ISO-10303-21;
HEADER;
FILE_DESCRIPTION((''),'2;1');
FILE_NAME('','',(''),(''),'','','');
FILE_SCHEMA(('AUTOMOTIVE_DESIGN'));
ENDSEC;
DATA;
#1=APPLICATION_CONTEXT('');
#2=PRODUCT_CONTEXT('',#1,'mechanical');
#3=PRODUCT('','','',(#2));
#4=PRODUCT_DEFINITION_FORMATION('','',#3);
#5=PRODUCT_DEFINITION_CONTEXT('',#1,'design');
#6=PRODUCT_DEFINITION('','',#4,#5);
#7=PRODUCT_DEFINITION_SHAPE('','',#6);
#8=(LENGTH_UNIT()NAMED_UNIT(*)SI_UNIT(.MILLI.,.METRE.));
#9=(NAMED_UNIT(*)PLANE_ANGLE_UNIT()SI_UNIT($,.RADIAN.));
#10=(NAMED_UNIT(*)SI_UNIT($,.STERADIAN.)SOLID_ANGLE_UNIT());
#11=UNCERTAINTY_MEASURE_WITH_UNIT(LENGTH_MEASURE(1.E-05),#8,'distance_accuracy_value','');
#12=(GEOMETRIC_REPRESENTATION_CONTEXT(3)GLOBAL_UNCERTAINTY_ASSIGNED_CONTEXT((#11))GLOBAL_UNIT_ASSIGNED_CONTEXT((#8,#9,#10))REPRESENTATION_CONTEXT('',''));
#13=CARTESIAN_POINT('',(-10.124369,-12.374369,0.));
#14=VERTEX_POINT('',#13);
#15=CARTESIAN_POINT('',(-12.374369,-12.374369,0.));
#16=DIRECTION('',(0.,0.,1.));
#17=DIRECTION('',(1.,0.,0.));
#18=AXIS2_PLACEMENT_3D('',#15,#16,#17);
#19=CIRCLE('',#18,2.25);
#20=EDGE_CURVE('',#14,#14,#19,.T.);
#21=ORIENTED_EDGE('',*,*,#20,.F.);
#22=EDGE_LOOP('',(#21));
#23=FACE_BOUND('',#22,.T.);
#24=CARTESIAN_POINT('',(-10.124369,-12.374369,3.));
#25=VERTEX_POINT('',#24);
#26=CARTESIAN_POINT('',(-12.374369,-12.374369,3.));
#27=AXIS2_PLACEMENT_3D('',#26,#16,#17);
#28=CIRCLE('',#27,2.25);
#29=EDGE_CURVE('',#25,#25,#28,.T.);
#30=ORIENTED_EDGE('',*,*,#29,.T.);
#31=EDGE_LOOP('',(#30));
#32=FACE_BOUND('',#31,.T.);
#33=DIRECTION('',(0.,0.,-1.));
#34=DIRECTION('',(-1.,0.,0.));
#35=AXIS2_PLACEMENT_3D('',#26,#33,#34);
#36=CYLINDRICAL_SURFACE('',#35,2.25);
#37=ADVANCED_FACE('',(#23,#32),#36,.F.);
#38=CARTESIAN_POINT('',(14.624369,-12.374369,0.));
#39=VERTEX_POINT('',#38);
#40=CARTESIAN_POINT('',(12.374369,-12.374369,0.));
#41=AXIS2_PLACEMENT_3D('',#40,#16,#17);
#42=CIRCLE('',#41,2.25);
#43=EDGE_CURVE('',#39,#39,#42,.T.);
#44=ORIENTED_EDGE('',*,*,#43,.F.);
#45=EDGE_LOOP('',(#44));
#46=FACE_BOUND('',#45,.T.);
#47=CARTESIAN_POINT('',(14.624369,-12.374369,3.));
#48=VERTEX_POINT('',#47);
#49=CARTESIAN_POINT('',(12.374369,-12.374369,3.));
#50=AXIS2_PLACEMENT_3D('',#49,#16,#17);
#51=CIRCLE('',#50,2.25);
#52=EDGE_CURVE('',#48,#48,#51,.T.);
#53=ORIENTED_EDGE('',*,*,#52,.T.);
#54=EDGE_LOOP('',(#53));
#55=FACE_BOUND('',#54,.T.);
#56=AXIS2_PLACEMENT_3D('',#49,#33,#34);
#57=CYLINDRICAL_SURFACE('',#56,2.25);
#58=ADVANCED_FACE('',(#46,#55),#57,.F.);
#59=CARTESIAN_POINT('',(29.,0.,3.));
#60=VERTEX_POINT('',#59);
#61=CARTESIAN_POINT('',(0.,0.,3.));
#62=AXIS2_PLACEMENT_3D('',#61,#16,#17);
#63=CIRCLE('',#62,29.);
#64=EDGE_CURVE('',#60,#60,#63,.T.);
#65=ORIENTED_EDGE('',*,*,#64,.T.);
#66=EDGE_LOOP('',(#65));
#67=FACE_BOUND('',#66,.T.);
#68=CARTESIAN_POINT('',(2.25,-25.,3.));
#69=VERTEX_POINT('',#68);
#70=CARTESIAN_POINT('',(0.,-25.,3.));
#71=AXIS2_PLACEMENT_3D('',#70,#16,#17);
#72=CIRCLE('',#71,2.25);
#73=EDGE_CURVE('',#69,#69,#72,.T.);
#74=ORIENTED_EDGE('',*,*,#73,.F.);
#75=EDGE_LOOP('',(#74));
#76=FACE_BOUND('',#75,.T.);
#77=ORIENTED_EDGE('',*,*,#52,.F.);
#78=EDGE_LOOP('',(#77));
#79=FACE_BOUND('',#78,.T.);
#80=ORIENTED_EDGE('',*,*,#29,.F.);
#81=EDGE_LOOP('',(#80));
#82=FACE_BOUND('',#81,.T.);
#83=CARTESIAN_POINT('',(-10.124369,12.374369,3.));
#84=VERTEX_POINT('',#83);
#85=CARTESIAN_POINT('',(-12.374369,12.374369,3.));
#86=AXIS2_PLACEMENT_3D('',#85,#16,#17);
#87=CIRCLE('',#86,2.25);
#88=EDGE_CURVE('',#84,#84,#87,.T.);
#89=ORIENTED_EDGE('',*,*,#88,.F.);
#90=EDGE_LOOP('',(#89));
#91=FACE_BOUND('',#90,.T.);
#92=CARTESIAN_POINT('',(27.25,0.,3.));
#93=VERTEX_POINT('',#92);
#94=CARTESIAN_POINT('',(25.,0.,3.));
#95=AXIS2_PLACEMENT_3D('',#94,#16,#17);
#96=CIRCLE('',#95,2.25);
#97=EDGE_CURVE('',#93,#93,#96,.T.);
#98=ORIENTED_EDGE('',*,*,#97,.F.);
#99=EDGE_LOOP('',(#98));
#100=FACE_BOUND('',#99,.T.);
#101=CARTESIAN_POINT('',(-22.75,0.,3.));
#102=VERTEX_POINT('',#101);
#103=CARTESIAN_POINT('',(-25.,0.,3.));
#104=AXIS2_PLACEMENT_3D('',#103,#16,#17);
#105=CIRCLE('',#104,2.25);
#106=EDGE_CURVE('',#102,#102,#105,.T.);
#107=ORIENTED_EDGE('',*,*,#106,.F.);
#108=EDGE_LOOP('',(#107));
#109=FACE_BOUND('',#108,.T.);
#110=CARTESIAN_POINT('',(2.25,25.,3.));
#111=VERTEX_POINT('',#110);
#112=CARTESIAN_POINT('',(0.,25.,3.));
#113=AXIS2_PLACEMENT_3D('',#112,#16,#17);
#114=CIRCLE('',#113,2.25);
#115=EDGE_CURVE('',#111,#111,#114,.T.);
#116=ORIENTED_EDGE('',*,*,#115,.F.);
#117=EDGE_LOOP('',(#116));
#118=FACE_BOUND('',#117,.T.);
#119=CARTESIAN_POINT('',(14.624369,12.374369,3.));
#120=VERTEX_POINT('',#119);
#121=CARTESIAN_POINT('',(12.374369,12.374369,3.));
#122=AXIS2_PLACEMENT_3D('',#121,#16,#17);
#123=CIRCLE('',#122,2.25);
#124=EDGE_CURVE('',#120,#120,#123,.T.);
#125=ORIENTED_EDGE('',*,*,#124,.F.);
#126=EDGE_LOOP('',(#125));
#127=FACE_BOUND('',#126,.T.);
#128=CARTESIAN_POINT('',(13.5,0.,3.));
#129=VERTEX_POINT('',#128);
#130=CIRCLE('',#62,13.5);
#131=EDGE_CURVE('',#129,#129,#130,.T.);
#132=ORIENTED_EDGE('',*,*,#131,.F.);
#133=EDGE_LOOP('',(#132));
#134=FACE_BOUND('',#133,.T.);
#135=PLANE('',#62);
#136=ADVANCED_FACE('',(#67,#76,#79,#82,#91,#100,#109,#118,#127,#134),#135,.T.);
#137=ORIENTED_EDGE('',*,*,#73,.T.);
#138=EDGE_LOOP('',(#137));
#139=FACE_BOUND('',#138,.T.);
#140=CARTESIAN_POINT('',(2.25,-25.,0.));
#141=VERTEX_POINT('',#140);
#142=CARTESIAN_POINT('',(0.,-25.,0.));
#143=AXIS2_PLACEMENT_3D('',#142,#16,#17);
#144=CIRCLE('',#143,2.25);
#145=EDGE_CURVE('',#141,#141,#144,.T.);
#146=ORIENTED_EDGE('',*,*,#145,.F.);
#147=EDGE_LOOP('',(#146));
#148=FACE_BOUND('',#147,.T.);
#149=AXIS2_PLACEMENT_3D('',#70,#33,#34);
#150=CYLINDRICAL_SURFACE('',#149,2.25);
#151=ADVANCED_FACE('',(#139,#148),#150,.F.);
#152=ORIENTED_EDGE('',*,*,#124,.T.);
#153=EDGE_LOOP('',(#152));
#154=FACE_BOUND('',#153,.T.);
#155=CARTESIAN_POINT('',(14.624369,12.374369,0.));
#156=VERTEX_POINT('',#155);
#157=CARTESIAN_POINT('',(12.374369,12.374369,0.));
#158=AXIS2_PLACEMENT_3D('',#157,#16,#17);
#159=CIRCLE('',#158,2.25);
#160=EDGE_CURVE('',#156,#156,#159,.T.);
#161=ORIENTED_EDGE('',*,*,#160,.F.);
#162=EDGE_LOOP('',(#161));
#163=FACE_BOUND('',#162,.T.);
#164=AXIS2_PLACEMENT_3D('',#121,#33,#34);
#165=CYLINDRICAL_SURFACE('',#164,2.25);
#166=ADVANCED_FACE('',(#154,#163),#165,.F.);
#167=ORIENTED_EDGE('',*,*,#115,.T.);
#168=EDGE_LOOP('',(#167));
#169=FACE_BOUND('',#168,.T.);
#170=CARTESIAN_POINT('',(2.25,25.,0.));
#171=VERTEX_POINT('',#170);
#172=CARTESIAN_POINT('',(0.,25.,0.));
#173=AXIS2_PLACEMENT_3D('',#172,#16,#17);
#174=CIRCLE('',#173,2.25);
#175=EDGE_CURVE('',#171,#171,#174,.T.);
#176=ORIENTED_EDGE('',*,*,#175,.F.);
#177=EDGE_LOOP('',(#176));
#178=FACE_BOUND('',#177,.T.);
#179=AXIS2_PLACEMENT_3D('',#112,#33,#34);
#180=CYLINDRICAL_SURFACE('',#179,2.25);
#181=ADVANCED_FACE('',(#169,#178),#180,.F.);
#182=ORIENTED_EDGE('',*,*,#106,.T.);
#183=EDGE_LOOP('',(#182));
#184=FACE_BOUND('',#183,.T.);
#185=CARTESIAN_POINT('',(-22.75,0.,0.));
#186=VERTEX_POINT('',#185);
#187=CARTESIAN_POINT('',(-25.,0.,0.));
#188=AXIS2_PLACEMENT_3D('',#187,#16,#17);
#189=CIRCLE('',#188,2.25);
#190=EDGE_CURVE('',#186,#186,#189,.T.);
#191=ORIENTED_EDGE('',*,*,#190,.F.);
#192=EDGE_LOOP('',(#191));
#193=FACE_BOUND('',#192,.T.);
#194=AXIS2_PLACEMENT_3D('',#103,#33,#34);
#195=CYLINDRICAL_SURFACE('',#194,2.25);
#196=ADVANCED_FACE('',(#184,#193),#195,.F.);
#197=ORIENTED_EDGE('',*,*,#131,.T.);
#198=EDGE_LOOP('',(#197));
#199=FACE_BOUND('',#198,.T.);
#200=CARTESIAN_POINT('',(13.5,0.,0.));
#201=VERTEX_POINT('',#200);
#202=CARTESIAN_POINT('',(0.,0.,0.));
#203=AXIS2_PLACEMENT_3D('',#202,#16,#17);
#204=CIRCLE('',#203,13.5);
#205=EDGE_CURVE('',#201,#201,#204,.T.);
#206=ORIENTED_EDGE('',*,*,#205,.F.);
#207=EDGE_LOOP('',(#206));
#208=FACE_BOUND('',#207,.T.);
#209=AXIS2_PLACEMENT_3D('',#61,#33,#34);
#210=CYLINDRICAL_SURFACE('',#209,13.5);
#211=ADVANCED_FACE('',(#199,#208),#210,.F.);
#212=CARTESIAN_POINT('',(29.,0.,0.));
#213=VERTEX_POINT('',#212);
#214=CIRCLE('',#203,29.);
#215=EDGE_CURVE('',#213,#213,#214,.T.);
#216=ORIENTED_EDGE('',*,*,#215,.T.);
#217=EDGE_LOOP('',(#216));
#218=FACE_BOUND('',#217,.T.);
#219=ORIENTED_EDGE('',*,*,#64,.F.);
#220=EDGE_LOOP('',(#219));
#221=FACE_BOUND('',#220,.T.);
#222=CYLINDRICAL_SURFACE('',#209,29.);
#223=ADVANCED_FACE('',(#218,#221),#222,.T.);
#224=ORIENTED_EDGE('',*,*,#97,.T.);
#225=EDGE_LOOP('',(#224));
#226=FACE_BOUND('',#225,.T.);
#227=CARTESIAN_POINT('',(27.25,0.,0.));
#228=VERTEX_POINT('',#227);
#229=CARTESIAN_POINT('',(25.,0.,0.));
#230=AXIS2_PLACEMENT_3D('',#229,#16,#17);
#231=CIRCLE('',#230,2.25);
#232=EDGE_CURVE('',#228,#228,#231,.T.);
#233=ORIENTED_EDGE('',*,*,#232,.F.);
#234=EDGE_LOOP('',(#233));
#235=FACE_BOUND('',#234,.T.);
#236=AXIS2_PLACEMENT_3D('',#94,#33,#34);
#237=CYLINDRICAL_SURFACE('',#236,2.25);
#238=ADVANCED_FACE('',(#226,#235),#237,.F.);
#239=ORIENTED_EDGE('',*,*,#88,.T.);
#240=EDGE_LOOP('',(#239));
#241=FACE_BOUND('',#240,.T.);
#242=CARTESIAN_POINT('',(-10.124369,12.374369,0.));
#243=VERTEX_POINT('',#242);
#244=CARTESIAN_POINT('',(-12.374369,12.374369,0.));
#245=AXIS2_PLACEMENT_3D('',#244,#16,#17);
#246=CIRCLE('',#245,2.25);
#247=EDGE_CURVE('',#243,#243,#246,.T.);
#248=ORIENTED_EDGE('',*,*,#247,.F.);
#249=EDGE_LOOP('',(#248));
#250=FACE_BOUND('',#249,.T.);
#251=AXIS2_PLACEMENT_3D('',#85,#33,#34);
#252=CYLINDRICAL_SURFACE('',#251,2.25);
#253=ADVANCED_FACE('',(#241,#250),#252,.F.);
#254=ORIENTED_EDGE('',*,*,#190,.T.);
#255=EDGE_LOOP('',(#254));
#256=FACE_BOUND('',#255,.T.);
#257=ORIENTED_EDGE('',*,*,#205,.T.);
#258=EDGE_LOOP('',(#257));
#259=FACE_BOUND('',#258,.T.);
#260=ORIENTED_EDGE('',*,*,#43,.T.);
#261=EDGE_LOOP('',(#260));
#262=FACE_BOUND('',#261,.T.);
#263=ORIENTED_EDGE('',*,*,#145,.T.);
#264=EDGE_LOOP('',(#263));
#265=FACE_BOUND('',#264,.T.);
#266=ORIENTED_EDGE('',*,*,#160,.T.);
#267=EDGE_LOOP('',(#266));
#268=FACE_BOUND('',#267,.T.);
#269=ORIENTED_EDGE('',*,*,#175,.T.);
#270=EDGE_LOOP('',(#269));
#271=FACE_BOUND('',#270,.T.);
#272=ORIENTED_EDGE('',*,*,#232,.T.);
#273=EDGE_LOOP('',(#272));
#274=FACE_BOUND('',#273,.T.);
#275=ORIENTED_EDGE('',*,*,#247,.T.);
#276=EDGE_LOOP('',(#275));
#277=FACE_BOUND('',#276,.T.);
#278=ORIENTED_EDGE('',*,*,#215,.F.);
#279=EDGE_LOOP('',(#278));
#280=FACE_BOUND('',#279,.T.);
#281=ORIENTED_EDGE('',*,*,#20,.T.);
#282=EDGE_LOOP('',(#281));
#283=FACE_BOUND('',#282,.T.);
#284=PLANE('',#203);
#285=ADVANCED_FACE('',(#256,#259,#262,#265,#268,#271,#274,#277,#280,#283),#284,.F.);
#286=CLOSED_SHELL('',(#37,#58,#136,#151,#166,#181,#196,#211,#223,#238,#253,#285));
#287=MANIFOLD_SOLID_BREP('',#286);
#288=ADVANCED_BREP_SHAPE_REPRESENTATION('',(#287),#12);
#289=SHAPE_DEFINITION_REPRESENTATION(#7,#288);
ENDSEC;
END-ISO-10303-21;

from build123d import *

# Parameters (mm, degrees)
SKETCH1_R           = 29
SKETCH1_R_2         = 13.5
SKETCH1_R_3         = 2.25
BOSS_EXTRUDE1_DEPTH = 3


with BuildPart() as part:
    # Sketch1 → Boss-Extrude1 (new body)
    with BuildSketch(Plane.XY):
        Circle(SKETCH1_R)
        Circle(SKETCH1_R_2, mode=Mode.SUBTRACT)
        with Locations((-12.374368671, 12.374368671)):
            Circle(SKETCH1_R_3, mode=Mode.SUBTRACT)
        with Locations((12.374368671, 12.374368671)):
            Circle(SKETCH1_R_3, mode=Mode.SUBTRACT)
        with Locations((12.374368671, -12.374368671)):
            Circle(SKETCH1_R_3, mode=Mode.SUBTRACT)
        with Locations((-12.374368671, -12.374368671)):
            Circle(SKETCH1_R_3, mode=Mode.SUBTRACT)
        with Locations((0, 25)):
            Circle(SKETCH1_R_3, mode=Mode.SUBTRACT)
        with Locations((25, 0)):
            Circle(SKETCH1_R_3, mode=Mode.SUBTRACT)
        with Locations((0, -25)):
            Circle(SKETCH1_R_3, mode=Mode.SUBTRACT)
        with Locations((-25, 0)):
            Circle(SKETCH1_R_3, mode=Mode.SUBTRACT)
    extrude(amount=BOSS_EXTRUDE1_DEPTH)


solid = part.part
